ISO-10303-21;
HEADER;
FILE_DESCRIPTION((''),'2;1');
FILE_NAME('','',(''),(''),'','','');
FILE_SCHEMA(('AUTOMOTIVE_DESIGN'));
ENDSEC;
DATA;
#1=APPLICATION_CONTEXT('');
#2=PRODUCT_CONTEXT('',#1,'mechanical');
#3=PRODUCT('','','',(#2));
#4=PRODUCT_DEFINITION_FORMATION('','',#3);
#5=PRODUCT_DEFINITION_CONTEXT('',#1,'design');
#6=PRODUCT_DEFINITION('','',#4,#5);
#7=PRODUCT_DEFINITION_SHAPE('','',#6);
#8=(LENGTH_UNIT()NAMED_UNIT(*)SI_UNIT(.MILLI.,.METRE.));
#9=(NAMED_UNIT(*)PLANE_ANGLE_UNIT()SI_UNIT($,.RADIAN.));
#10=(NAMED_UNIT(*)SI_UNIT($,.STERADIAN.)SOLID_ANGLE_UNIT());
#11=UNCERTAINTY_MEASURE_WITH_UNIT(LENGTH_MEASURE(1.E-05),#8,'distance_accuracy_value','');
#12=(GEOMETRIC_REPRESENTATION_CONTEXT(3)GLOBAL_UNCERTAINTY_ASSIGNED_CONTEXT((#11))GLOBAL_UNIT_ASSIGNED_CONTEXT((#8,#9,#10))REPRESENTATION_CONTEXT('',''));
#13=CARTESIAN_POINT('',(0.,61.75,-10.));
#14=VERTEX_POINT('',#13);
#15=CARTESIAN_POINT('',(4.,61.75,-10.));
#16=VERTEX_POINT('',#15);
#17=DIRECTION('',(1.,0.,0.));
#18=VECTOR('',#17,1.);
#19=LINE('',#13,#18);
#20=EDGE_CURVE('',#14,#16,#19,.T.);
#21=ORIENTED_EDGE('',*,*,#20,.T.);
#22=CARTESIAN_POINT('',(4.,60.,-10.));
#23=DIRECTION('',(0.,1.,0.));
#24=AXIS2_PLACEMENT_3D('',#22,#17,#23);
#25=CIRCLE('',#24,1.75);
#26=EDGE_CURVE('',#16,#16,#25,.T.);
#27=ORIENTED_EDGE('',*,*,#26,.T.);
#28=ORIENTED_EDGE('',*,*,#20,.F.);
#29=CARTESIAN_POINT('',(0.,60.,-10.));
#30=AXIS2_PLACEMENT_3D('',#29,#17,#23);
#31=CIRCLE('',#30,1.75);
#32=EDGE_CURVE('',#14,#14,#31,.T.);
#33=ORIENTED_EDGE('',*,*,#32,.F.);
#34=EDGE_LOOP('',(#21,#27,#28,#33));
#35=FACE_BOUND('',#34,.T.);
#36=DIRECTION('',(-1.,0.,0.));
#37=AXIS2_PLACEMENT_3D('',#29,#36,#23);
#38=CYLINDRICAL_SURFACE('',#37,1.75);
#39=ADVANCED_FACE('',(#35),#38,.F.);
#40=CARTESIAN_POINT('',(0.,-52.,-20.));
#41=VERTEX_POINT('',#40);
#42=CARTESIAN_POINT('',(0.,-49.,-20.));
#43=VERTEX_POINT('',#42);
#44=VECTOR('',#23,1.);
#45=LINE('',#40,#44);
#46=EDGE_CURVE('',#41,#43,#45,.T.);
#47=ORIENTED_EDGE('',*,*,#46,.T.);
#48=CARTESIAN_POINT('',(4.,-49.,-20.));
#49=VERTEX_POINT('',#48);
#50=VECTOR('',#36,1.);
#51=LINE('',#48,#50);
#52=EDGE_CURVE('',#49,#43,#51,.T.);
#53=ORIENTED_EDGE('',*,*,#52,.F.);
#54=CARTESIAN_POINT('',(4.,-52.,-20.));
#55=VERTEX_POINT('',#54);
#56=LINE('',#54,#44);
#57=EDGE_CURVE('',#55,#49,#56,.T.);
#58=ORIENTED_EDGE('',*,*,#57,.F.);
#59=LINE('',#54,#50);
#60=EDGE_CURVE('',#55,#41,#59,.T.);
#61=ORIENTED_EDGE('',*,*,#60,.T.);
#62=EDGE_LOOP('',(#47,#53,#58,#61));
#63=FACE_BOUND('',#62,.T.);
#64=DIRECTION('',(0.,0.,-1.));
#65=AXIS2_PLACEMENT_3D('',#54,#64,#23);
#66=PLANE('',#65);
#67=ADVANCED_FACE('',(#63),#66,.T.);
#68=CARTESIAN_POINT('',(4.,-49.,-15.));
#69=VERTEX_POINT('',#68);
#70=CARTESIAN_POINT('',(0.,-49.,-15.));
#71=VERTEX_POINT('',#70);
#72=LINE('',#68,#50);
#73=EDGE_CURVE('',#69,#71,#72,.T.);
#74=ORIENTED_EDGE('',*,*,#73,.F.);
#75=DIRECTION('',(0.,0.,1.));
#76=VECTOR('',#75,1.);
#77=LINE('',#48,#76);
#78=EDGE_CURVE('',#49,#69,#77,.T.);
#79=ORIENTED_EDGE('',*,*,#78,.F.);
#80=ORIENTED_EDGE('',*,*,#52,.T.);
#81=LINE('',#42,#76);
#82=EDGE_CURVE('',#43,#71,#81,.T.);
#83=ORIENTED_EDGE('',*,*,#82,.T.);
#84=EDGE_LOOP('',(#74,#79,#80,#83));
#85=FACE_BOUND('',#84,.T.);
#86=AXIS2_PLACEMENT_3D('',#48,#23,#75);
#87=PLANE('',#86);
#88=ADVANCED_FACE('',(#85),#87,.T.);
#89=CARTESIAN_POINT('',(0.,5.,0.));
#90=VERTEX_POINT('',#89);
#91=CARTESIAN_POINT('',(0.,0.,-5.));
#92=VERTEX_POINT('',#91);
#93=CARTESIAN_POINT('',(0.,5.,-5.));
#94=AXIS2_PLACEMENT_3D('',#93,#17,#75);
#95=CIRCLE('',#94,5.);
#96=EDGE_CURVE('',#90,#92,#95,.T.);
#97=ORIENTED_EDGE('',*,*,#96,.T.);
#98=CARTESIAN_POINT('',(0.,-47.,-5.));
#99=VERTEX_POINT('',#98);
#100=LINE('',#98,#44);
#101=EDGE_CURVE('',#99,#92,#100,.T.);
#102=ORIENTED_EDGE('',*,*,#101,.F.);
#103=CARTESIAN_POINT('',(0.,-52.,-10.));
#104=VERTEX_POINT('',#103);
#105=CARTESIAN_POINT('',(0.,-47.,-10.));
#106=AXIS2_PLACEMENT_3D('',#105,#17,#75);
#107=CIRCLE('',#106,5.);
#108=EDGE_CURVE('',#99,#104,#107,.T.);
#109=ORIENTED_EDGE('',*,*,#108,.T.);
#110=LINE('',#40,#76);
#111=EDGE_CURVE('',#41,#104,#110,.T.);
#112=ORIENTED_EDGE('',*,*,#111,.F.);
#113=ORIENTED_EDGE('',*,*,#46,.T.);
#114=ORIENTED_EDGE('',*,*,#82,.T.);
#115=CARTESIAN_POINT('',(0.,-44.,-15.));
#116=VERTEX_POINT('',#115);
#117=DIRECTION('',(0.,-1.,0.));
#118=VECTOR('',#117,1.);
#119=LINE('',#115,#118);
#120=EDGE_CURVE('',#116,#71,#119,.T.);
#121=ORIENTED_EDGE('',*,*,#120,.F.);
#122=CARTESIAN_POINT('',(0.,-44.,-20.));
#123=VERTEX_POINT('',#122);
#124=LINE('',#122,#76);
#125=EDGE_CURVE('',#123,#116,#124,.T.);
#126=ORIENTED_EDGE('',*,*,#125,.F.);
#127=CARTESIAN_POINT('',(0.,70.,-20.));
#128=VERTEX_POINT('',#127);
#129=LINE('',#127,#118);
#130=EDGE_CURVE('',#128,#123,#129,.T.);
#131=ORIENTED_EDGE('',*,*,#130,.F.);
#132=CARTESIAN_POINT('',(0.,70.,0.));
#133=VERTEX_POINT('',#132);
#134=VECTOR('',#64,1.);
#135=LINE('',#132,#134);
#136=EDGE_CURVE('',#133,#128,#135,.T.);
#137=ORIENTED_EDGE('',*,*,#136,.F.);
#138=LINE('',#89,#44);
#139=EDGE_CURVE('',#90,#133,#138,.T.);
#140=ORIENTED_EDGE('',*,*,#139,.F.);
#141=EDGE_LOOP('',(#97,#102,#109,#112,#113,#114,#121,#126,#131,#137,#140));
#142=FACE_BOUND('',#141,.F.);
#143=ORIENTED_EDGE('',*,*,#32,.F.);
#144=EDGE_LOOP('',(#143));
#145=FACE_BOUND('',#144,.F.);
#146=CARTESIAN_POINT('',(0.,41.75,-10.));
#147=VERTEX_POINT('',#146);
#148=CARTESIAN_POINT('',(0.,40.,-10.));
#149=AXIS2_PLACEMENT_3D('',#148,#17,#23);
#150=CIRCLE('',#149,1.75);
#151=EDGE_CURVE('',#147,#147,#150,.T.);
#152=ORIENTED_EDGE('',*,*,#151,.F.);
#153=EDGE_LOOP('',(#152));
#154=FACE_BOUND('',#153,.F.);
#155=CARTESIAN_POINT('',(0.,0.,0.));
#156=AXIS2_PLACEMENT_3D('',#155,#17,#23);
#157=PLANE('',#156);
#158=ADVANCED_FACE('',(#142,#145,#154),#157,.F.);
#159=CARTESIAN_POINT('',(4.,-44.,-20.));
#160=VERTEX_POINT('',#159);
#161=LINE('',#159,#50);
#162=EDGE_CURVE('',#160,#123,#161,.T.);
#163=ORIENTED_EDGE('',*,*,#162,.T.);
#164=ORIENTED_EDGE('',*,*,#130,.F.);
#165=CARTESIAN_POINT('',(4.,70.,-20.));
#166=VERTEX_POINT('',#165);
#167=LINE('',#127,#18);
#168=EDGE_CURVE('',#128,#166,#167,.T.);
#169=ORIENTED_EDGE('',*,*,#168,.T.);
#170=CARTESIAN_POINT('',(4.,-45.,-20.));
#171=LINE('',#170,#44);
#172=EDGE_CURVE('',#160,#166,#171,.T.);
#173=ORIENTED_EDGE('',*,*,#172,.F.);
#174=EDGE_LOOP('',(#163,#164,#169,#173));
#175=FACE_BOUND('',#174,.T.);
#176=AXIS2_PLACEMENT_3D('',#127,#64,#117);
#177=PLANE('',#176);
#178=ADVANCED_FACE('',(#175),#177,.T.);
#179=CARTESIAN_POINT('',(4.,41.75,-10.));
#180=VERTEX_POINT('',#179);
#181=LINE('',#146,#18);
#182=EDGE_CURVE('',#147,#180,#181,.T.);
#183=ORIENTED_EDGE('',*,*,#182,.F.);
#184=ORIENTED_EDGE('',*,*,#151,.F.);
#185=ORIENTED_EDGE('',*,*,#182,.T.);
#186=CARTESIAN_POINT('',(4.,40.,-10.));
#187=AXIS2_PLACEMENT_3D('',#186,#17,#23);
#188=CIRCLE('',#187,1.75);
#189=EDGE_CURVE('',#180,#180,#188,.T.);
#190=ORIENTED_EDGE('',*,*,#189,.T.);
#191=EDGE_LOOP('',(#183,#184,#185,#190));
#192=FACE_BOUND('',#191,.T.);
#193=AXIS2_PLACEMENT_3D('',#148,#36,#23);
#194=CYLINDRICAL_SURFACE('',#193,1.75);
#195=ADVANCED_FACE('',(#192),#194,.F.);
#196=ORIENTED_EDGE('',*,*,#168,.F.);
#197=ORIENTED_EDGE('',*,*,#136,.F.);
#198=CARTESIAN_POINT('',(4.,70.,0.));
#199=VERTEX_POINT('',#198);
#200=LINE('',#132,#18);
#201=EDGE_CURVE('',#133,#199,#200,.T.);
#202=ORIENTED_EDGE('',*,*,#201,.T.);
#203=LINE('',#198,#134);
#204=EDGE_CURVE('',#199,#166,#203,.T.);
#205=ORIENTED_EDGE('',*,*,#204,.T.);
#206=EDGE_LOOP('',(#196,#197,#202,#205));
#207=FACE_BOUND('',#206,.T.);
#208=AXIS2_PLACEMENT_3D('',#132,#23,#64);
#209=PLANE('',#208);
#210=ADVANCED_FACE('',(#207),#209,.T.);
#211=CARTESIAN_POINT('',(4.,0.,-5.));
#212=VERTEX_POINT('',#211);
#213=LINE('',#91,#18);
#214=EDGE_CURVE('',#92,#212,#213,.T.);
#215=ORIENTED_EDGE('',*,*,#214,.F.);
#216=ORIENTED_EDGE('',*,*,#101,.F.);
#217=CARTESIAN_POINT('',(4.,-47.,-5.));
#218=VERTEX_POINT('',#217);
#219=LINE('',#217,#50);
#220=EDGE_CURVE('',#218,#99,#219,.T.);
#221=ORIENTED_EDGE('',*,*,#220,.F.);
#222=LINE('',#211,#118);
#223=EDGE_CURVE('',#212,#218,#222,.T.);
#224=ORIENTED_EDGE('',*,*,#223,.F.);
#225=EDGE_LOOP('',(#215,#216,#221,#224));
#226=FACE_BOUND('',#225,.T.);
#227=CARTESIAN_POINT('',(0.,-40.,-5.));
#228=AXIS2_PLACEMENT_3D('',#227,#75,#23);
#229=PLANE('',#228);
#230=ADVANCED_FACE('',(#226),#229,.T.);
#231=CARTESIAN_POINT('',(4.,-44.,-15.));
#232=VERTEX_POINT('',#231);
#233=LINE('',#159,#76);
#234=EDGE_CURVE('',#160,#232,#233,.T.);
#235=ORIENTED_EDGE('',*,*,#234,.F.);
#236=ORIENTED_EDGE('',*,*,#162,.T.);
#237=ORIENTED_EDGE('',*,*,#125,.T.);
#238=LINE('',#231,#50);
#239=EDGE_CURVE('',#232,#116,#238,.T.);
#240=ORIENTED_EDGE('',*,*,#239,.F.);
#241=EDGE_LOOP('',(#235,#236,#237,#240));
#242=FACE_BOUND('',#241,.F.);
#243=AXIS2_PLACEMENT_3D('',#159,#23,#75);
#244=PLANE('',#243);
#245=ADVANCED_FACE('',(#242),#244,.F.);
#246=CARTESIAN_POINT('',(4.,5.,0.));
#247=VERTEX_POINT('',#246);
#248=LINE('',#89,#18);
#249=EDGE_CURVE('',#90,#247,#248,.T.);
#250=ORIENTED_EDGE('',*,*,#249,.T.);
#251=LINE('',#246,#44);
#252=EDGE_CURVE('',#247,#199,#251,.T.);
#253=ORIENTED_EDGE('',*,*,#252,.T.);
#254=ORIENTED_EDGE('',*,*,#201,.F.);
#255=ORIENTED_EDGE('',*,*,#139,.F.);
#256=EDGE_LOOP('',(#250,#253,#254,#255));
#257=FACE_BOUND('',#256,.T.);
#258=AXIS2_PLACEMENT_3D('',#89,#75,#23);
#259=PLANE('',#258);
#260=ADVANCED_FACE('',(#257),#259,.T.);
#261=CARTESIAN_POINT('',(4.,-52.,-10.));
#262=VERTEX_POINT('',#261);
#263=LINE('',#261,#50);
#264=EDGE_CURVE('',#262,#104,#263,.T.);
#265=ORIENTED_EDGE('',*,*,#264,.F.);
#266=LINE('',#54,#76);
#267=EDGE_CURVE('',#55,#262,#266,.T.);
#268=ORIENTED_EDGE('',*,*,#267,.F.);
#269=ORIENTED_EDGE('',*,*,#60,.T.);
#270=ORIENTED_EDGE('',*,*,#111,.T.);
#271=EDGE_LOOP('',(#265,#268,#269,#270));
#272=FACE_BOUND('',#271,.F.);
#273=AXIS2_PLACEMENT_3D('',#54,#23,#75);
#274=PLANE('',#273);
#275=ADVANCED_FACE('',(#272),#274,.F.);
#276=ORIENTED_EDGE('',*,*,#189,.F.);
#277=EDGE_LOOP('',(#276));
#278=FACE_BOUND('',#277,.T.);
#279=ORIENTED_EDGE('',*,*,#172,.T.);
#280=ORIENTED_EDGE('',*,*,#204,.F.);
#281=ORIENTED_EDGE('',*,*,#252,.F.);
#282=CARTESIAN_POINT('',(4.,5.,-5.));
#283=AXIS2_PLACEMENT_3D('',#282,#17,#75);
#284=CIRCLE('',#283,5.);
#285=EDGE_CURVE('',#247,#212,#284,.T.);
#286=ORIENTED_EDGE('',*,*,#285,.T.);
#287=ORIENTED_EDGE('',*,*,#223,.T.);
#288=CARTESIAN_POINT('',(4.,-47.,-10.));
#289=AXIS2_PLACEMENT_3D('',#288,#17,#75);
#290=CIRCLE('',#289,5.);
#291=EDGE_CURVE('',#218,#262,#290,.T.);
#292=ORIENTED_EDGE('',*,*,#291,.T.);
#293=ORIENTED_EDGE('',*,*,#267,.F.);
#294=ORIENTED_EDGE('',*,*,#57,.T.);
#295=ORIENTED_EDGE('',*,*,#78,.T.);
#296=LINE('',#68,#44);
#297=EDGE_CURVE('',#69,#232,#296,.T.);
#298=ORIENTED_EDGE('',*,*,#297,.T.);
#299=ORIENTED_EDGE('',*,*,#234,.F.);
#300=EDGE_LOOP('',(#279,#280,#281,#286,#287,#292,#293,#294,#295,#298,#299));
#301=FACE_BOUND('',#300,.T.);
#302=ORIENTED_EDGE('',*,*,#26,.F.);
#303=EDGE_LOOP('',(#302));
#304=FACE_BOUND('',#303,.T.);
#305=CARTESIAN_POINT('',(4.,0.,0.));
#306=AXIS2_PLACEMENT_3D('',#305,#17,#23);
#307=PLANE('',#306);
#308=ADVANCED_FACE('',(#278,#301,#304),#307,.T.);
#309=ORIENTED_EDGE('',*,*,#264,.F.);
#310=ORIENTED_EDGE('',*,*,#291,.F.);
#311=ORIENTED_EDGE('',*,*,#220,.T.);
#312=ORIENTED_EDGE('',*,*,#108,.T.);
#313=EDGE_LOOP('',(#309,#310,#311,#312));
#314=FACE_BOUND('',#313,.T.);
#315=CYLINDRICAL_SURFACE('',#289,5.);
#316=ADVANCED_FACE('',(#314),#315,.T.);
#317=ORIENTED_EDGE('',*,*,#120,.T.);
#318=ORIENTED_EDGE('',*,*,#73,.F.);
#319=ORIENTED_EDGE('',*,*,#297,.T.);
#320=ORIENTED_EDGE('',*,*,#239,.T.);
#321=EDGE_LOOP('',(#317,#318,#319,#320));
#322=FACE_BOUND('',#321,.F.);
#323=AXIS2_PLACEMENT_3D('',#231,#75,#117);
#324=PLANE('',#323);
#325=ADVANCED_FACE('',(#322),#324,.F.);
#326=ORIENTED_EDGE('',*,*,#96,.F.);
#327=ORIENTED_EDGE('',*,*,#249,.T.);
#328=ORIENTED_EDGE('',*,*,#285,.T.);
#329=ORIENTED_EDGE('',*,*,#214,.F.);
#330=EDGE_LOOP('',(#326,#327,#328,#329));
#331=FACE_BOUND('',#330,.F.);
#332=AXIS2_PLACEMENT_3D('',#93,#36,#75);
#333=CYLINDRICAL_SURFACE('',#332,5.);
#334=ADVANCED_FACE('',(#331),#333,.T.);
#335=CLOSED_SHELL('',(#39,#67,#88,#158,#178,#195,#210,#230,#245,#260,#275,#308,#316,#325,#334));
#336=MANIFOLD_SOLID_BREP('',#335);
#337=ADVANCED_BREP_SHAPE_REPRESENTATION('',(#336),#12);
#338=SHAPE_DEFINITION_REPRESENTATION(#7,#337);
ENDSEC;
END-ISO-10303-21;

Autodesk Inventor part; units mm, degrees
ref_plane "YZ Plane" through (0, 0, 0) normal (1, 0, 0) x (0, 1, 0)
ref_plane "XZ Plane" through (0, 0, 0) normal (0, 1, 0) x (-1, 0, 0)
ref_plane "XY Plane" through (0, 0, 0) normal (0, 0, 1) x (1, 0, 0)
sketch "Sketch1" plane through (0, 0, 0) normal (1, 0, 0) x (0, 1, 0)
  line L0 (5, 0) -> (70, 0)
  line L1 (70, 0) -> (70, -20)
  line L2 (70, -20) -> (0, -20)
  line L3 (0, -5) -> (0, -5)
  circle A0 centre (60, -10) radius 1.75
  circle A1 centre (40, -10) radius 1.75
  line L4 (0, -20) -> (-45, -20)
  line L5 (-45, -20) -> (-45, -10)
  line L6 (-40, -5) -> (0, -5)
  arc A2 (5, 0) -> (0, -5) centre (5, -5) ccw
  arc A3 (-40, -5) -> (-45, -10) centre (-40, -10) ccw
  point P0 (0, 0)
  point P1 (-45, -5)
  dimension "d0" = 70
  dimension "d1" = 20
  dimension "d4" = 3.5
  dimension "d5" = 3.5
  dimension "d6" = 45
  dimension "d7" = 15
  dimension "d8" = 5
extrude "Extrusion1" add sketch "Sketch1" along normal blind 4
sketch "Sketch2" plane through (4, 0, 0) normal (1, 0, 0) x (0, 0, -1)
  arc A0 (5, -40) -> (10, -45) centre (10, -40) ccw projected
  line L0 (20, -52) -> (10, -52)
  line L1 (5, -47) -> (5, -40)
  arc A1 (5, -47) -> (10, -52) centre (10, -47) ccw
  line L2 (20, -52) -> (20, -49)
  line L3 (20, -49) -> (15, -49)
  line L4 (15, -49) -> (15, -39)
  line L5 (15, -39) -> (20, -39)
  line L6 (5, -40) -> (15, -40)
  point P0 (0, 0)
  point P1 (5, -52)
  dimension "d11" = 15
  dimension "d13" = 5
  dimension "d14" = 3
  dimension "d15" = 5
  dimension "d16" = 10
extrude "Extrusion2" add sketch "Sketch2" against normal blind 4
sketch "Sketch3" plane through (4, 0, 0) normal (1, 0, 0) x (0, 0, -1)
  line L0 (15, -45) -> (20, -45) projected
  line L1 (15, -45) -> (20, -45)
  line L2 (20, -45) -> (20, -44)
  line L3 (20, -44) -> (15, -44)
  line L4 (15, -44) -> (15, -45)
  point P0 (0, 0)
  dimension "d19" = 5
  dimension "d20" = 1
extrude "Extrusion3" cut sketch "Sketch3" against normal blind 4
properties part number "g_griper left jaw_arm"
